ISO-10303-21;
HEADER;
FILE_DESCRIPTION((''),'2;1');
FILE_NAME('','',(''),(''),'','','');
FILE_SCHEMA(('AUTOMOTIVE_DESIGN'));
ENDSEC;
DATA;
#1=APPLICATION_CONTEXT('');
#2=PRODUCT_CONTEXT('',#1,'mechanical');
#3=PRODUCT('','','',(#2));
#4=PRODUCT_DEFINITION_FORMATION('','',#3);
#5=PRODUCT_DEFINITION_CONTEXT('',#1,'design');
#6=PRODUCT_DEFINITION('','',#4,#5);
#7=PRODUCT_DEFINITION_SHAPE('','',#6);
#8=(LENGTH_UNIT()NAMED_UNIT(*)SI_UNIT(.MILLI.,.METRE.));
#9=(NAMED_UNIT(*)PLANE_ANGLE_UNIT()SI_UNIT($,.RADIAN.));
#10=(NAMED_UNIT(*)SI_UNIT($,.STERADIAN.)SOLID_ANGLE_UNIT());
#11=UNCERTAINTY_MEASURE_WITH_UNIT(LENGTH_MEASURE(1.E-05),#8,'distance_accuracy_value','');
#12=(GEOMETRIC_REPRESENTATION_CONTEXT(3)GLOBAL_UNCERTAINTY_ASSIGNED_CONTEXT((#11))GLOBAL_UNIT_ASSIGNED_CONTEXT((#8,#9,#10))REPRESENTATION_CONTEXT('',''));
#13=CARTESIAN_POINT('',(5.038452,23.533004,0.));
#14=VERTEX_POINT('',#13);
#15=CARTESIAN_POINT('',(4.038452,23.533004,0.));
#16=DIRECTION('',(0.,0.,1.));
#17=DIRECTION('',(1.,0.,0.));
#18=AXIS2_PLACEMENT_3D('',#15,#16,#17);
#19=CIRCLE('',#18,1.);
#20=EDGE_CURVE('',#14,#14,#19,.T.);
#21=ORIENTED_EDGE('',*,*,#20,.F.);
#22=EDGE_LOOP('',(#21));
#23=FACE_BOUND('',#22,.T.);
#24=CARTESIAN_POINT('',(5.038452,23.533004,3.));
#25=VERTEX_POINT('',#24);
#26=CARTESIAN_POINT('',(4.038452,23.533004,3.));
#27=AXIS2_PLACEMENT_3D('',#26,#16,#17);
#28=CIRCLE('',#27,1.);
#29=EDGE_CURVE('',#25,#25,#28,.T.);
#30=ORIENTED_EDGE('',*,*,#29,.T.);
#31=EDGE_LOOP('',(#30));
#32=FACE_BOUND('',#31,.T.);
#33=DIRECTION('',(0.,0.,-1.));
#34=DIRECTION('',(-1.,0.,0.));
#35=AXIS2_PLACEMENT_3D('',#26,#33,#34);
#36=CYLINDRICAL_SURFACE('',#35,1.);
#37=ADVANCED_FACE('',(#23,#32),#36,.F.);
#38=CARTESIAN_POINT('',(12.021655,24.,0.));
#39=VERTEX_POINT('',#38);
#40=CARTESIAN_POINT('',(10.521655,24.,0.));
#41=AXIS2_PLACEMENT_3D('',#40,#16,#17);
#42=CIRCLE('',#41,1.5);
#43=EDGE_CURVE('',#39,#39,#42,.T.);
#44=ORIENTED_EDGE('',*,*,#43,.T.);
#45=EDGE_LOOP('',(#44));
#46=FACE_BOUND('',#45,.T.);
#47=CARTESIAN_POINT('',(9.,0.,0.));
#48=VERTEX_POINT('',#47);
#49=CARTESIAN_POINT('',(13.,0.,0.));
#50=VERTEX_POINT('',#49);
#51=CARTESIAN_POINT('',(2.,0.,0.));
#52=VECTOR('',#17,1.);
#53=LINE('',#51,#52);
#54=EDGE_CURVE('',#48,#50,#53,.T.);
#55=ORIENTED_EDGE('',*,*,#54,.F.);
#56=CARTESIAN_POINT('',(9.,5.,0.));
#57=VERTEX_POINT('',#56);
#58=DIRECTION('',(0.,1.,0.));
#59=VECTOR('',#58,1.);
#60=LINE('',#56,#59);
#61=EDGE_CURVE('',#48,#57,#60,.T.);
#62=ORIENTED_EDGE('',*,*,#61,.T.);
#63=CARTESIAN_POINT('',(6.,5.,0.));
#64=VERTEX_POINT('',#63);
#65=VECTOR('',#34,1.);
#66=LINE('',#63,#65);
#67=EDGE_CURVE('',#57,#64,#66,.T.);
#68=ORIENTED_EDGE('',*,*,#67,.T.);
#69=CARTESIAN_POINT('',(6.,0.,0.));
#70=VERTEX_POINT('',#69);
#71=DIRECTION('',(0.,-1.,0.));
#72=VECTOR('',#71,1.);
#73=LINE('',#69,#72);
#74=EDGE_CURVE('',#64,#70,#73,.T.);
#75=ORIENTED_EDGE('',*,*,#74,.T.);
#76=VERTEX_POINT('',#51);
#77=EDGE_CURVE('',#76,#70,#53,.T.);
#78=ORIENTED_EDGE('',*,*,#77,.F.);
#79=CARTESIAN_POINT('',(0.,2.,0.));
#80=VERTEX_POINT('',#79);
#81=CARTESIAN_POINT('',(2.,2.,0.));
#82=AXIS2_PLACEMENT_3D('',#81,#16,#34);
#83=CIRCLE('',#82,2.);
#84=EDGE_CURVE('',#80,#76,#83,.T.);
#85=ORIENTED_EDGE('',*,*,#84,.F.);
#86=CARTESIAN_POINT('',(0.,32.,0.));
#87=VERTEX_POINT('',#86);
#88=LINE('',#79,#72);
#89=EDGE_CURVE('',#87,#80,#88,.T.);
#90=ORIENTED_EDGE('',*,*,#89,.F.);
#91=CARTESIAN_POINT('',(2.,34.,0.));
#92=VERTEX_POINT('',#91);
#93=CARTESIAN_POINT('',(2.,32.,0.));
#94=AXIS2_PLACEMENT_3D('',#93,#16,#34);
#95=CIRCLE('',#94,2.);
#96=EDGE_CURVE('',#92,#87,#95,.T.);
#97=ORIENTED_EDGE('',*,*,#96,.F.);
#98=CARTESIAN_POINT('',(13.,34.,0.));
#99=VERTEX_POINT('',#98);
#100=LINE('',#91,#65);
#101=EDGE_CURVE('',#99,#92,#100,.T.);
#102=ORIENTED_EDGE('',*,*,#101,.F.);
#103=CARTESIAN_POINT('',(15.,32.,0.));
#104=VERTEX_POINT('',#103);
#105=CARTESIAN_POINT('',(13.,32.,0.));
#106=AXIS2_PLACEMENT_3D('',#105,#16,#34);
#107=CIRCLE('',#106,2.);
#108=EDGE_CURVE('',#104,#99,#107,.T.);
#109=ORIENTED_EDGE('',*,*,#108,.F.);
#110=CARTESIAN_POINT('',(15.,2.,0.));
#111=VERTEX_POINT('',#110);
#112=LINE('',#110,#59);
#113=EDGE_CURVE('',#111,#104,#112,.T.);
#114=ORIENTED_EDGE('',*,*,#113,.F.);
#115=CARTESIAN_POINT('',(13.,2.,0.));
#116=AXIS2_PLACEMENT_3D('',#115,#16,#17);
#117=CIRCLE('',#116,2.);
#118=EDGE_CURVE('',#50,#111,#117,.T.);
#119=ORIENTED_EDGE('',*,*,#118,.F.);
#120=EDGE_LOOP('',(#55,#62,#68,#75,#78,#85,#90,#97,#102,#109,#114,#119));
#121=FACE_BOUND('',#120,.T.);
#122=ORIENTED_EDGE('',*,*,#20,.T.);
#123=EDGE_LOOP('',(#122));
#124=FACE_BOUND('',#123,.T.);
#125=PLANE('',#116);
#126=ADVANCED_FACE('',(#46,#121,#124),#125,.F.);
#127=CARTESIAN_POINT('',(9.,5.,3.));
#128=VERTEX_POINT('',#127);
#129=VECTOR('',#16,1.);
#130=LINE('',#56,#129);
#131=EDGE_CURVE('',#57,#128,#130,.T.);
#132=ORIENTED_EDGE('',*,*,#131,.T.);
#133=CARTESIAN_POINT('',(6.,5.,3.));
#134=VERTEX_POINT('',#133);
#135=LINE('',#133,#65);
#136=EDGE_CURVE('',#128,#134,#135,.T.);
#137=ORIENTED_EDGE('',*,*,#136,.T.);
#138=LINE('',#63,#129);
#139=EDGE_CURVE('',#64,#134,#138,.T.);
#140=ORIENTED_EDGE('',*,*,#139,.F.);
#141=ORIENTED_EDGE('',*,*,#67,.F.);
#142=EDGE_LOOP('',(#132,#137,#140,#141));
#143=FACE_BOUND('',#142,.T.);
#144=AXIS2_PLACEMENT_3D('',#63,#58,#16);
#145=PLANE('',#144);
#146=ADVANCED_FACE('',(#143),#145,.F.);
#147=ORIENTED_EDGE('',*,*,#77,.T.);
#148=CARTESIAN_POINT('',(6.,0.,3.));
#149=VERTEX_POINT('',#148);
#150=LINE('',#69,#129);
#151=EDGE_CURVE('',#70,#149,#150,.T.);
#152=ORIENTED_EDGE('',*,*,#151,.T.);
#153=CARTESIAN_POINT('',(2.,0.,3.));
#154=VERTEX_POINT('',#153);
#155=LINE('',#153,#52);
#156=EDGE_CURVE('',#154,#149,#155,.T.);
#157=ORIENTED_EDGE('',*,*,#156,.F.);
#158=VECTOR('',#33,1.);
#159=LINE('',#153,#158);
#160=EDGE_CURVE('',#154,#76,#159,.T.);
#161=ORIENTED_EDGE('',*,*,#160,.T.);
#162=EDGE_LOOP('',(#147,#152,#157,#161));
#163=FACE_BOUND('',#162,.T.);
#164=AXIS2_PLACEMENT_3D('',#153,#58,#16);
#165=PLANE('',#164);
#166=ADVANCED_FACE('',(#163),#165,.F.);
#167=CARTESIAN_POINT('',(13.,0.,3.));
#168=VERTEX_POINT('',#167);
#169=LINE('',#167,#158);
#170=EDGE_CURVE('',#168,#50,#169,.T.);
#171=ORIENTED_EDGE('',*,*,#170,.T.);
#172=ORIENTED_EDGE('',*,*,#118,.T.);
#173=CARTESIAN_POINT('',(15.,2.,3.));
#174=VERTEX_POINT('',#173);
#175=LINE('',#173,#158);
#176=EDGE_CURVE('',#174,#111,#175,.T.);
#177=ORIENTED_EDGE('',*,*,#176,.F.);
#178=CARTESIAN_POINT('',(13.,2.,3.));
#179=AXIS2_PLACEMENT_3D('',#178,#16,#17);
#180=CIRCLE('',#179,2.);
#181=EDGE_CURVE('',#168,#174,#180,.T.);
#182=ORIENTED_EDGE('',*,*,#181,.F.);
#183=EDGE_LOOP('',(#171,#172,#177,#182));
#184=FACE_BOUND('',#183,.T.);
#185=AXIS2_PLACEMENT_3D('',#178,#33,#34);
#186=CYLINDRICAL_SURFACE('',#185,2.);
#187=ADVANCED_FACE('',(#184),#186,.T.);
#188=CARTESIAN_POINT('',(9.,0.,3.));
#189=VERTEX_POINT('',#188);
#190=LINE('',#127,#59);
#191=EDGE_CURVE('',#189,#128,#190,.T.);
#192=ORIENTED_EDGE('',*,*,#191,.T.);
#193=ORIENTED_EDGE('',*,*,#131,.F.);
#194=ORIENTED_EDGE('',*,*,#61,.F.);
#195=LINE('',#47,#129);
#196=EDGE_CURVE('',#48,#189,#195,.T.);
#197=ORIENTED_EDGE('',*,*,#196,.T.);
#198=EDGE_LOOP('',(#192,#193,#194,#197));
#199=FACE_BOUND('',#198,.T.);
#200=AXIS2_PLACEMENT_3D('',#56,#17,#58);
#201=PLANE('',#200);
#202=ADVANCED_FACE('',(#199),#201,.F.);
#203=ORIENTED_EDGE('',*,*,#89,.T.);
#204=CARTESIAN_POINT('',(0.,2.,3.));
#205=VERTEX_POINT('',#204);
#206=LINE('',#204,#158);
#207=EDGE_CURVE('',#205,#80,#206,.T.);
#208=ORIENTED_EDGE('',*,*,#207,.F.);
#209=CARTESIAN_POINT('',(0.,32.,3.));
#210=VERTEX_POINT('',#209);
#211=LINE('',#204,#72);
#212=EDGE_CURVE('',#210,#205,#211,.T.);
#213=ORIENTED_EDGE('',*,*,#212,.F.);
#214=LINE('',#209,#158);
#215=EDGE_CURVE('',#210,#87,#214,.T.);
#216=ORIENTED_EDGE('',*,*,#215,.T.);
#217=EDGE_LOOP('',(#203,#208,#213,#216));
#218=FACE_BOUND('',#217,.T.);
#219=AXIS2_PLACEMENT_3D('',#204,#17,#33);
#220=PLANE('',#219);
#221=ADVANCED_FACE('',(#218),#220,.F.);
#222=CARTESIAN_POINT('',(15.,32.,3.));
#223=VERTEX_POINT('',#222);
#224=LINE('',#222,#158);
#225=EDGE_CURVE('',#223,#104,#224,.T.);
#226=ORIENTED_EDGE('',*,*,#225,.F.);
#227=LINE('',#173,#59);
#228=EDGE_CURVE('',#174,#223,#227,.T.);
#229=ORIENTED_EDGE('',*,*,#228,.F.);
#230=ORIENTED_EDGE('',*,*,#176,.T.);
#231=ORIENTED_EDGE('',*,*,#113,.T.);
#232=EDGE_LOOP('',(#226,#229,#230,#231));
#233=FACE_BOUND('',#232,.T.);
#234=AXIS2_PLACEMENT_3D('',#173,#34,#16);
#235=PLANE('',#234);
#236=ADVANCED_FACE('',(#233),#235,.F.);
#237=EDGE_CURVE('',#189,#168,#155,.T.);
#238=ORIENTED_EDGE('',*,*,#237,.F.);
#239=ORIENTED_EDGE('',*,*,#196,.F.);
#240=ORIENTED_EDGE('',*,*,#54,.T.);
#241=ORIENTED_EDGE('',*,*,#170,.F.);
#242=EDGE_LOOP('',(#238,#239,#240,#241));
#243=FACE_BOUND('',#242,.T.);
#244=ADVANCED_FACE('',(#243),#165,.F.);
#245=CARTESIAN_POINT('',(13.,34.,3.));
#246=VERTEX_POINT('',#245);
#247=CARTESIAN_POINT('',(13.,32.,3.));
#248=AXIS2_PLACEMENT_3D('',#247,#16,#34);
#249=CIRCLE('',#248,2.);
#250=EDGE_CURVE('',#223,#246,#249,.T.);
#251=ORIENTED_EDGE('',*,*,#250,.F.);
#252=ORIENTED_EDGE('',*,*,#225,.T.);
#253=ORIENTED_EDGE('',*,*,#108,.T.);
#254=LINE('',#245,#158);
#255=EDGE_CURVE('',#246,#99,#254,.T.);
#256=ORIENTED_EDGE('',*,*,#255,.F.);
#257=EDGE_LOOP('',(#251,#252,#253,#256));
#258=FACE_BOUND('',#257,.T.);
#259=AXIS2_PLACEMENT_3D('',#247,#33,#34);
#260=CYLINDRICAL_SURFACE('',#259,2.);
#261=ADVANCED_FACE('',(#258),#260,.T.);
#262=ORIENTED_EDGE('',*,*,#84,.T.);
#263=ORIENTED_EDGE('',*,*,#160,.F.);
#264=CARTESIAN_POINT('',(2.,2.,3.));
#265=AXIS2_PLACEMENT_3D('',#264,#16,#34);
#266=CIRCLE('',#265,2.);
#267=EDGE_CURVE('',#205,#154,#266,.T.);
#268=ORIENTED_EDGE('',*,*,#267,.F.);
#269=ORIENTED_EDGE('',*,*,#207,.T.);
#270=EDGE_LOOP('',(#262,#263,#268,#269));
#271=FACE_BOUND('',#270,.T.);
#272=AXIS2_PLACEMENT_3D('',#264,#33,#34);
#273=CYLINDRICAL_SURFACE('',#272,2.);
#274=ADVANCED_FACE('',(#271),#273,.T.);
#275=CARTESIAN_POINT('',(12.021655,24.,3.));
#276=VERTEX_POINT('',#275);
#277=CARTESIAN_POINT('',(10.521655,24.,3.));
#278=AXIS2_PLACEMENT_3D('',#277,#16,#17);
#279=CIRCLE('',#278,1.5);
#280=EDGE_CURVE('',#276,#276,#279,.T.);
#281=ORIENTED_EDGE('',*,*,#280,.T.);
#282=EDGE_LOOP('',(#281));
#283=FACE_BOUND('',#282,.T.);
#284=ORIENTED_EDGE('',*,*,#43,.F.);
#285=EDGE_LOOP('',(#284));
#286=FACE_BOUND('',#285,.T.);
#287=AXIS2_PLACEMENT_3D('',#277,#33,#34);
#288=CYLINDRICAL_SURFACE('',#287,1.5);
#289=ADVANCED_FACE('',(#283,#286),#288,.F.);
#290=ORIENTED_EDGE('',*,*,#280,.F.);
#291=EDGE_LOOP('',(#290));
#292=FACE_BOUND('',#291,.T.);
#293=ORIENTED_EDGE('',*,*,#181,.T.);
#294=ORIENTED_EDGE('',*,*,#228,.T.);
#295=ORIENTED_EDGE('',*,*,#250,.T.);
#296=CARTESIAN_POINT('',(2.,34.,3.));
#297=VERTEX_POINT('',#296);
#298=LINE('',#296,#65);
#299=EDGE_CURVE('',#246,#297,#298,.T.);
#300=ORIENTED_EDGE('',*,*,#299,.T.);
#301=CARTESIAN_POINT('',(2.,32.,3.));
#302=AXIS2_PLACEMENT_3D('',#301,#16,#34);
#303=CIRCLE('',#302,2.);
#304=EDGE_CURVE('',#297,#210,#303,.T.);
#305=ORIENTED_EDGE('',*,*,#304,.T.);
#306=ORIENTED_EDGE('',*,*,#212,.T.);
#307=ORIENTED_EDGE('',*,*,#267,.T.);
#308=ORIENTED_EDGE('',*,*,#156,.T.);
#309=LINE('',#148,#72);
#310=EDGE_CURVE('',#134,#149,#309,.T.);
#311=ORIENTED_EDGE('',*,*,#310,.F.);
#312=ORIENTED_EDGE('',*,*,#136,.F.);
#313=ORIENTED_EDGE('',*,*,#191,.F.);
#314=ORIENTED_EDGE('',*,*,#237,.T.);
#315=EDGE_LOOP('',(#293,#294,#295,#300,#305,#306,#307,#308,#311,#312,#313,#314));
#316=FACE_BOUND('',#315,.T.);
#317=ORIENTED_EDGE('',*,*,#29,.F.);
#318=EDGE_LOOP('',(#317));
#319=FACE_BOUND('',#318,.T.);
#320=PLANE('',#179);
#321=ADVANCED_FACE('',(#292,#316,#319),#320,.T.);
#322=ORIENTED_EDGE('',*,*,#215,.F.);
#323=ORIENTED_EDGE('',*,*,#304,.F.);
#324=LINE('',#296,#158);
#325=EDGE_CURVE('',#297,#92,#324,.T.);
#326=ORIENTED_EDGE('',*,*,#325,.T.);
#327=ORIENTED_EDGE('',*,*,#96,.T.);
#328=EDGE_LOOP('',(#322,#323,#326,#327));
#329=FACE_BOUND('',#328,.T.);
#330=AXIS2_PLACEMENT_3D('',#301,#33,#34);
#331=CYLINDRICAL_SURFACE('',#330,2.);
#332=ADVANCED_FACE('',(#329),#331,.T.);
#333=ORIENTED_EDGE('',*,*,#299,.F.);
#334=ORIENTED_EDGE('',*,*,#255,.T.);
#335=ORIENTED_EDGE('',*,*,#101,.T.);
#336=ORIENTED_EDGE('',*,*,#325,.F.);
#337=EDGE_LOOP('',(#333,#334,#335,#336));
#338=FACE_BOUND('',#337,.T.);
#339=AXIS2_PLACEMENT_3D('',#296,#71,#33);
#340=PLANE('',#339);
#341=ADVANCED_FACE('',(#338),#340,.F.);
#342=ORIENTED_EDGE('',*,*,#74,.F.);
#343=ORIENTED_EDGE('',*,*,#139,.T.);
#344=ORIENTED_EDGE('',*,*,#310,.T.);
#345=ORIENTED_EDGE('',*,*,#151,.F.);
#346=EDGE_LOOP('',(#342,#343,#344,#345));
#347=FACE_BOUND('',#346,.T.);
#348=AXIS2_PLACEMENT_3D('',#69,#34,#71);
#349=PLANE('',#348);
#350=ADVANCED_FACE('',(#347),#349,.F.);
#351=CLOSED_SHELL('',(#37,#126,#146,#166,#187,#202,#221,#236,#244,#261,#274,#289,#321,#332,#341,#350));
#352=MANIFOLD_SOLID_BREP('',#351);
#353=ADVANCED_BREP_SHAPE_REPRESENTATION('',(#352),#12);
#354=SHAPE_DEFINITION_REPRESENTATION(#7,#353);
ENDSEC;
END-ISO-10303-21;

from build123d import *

# Parameters (mm, degrees)
SKETCH1_R           = 1.5
SKETCH1_R_2         = 1
BOSS_EXTRUDE1_DEPTH = 3
SKETCH4_W           = 3
SKETCH4_H           = 5
CUT_EXTRUDE1_DEPTH  = 4


with BuildPart() as part:
    # Sketch1 → Boss-Extrude1 (new body)
    with BuildSketch(Plane.XY):
        with BuildLine():
            Line((2, 0), (13, 0))
            ThreePointArc((13, 0), (14.414213562, 0.585786438), (15, 2))
            Line((15, 2), (15, 32))
            ThreePointArc((15, 32), (14.414213562, 33.414213562), (13, 34))
            Line((13, 34), (2, 34))
            ThreePointArc((2, 34), (0.585786438, 33.414213562), (0, 32))
            Line((0, 32), (0, 2))
            ThreePointArc((0, 2), (0.585786438, 0.585786438), (2, 0))
        make_face()
        with Locations((10.521654895, 24)):
            Circle(SKETCH1_R, mode=Mode.SUBTRACT)
        with Locations((4.038452424, 23.533003519)):
            Circle(SKETCH1_R_2, mode=Mode.SUBTRACT)
    extrude(amount=BOSS_EXTRUDE1_DEPTH)

    # Sketch4 → Cut-Extrude1 (cut, through all)
    with BuildSketch(Plane.XY.offset(3)):
        with Locations((7.5, 2.5)):
            Rectangle(SKETCH4_W, SKETCH4_H)
    extrude(amount=-CUT_EXTRUDE1_DEPTH, mode=Mode.SUBTRACT)


solid = part.part
